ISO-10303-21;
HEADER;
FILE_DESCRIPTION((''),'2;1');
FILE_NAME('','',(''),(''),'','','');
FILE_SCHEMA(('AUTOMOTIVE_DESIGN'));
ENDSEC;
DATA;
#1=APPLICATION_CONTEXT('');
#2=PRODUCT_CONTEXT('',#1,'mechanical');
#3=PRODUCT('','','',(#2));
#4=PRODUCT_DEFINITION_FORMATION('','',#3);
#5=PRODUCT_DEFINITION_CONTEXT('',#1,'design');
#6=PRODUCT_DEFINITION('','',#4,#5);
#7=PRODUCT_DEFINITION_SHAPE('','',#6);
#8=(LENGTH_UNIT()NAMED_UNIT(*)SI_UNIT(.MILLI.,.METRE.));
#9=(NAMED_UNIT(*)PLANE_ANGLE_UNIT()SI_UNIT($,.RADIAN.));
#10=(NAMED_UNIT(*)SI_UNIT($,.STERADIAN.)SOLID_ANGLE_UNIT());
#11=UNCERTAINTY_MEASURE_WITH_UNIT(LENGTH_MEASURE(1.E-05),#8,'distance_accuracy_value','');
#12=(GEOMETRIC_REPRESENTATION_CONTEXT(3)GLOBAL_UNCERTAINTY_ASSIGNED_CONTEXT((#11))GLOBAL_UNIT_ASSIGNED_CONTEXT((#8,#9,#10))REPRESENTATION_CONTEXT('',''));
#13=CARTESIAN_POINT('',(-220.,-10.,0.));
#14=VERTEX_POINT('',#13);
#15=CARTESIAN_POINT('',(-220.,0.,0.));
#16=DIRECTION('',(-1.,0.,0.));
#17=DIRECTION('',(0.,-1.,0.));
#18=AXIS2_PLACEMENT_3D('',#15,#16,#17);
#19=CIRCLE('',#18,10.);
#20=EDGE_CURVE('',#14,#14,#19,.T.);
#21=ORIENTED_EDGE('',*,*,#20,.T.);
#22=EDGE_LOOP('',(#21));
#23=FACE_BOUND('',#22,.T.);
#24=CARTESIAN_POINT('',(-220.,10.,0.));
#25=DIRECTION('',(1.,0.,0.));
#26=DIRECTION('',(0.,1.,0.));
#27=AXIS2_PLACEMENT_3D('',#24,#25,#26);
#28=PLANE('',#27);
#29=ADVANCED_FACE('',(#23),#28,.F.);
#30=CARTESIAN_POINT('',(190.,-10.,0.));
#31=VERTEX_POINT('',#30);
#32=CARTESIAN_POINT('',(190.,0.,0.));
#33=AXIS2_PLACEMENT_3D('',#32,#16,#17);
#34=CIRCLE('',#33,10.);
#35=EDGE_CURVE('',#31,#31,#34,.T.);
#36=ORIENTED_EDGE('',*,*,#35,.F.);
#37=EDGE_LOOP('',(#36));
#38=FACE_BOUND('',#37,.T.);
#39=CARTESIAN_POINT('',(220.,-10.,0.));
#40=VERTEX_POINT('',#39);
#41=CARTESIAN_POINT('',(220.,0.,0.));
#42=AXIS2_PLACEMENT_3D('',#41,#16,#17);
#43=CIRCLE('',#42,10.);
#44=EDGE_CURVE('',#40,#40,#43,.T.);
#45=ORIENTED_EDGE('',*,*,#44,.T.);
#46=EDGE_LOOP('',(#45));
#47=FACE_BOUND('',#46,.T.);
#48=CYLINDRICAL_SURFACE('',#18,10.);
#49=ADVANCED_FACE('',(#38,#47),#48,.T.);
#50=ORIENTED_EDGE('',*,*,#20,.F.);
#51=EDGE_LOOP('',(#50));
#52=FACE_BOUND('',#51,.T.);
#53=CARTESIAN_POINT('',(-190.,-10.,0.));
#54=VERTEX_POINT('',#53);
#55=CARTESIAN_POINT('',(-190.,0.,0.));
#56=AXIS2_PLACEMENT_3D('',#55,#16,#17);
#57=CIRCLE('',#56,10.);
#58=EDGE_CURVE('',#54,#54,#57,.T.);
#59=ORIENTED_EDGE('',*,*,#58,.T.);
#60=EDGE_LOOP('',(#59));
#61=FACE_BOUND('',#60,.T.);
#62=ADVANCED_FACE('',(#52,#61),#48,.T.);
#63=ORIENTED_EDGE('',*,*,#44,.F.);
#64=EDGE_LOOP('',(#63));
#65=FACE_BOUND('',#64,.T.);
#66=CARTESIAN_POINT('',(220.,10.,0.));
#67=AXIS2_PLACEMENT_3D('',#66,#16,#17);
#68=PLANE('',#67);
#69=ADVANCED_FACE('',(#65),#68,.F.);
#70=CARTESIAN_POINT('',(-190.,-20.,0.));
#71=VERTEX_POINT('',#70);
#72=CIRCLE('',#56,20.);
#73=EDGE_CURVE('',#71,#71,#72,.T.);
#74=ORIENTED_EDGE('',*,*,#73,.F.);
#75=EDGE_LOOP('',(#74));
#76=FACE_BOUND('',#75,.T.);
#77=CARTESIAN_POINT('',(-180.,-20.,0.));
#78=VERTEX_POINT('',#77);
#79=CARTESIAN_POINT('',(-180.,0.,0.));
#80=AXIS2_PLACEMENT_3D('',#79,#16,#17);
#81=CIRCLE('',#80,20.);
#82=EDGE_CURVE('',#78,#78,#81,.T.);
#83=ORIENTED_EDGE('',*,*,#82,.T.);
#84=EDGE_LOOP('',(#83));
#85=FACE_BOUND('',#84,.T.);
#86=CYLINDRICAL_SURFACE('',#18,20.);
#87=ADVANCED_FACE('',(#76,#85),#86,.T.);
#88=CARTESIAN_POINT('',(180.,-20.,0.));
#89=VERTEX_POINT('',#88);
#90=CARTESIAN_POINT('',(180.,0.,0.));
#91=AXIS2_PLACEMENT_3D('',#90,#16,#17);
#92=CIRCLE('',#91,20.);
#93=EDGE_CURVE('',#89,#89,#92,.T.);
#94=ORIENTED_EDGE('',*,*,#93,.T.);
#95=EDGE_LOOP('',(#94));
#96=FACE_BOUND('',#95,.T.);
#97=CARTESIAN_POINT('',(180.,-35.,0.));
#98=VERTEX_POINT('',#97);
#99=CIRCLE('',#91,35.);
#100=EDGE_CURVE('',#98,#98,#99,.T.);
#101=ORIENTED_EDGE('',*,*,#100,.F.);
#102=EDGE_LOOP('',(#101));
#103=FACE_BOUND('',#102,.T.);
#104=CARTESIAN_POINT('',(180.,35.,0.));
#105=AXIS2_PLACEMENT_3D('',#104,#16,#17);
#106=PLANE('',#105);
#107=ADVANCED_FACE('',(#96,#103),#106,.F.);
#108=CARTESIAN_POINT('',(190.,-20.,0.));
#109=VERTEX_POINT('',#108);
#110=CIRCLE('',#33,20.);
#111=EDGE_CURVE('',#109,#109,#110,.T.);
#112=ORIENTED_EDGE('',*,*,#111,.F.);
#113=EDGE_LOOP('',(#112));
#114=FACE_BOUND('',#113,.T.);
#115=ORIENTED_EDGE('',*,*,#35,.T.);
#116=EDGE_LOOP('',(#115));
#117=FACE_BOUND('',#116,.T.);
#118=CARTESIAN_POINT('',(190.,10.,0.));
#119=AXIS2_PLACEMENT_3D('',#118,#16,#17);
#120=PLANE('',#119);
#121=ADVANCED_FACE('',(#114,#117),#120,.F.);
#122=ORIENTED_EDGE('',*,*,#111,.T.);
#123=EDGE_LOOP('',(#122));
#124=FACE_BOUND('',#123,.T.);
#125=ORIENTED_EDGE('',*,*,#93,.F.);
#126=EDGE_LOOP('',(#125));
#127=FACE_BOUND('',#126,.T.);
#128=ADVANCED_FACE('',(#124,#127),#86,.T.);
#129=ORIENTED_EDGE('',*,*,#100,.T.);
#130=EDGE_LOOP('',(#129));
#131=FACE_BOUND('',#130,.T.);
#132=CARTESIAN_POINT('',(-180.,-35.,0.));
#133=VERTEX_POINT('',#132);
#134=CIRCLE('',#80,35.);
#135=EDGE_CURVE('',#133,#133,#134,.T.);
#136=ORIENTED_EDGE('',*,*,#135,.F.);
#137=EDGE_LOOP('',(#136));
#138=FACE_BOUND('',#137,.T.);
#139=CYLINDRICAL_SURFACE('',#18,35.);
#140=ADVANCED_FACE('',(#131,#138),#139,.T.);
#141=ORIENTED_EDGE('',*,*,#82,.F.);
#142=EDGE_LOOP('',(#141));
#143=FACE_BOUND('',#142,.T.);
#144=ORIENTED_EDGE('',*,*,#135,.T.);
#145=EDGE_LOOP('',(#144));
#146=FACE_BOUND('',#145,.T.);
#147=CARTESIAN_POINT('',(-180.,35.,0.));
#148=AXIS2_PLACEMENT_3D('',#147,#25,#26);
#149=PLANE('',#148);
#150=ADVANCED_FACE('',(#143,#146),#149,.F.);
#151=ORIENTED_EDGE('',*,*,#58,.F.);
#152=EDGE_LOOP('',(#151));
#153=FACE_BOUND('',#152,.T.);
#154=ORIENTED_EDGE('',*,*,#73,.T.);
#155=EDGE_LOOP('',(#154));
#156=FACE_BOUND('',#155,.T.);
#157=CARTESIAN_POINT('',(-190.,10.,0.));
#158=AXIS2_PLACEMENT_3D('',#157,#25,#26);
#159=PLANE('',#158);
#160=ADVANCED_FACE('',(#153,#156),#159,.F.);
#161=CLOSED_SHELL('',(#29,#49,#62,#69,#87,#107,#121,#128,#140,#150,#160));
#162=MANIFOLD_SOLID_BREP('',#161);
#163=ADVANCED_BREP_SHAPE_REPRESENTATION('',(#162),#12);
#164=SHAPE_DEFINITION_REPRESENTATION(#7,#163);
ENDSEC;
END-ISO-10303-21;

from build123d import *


with BuildPart() as part:
    # 草图1 → 旋转1 (revolve)
    with BuildSketch(Plane.XY):
        Polygon((-180, 35), (180, 35), (180, 20), (190, 20), (190, 10), (220, 10), (220, 0), (-220, 0), (-220, 10), (-190, 10), (-190, 20), (-180, 20), align=None)
    revolve(axis=Axis((-220, 0, 0), (1, 0, 0)))


solid = part.part
